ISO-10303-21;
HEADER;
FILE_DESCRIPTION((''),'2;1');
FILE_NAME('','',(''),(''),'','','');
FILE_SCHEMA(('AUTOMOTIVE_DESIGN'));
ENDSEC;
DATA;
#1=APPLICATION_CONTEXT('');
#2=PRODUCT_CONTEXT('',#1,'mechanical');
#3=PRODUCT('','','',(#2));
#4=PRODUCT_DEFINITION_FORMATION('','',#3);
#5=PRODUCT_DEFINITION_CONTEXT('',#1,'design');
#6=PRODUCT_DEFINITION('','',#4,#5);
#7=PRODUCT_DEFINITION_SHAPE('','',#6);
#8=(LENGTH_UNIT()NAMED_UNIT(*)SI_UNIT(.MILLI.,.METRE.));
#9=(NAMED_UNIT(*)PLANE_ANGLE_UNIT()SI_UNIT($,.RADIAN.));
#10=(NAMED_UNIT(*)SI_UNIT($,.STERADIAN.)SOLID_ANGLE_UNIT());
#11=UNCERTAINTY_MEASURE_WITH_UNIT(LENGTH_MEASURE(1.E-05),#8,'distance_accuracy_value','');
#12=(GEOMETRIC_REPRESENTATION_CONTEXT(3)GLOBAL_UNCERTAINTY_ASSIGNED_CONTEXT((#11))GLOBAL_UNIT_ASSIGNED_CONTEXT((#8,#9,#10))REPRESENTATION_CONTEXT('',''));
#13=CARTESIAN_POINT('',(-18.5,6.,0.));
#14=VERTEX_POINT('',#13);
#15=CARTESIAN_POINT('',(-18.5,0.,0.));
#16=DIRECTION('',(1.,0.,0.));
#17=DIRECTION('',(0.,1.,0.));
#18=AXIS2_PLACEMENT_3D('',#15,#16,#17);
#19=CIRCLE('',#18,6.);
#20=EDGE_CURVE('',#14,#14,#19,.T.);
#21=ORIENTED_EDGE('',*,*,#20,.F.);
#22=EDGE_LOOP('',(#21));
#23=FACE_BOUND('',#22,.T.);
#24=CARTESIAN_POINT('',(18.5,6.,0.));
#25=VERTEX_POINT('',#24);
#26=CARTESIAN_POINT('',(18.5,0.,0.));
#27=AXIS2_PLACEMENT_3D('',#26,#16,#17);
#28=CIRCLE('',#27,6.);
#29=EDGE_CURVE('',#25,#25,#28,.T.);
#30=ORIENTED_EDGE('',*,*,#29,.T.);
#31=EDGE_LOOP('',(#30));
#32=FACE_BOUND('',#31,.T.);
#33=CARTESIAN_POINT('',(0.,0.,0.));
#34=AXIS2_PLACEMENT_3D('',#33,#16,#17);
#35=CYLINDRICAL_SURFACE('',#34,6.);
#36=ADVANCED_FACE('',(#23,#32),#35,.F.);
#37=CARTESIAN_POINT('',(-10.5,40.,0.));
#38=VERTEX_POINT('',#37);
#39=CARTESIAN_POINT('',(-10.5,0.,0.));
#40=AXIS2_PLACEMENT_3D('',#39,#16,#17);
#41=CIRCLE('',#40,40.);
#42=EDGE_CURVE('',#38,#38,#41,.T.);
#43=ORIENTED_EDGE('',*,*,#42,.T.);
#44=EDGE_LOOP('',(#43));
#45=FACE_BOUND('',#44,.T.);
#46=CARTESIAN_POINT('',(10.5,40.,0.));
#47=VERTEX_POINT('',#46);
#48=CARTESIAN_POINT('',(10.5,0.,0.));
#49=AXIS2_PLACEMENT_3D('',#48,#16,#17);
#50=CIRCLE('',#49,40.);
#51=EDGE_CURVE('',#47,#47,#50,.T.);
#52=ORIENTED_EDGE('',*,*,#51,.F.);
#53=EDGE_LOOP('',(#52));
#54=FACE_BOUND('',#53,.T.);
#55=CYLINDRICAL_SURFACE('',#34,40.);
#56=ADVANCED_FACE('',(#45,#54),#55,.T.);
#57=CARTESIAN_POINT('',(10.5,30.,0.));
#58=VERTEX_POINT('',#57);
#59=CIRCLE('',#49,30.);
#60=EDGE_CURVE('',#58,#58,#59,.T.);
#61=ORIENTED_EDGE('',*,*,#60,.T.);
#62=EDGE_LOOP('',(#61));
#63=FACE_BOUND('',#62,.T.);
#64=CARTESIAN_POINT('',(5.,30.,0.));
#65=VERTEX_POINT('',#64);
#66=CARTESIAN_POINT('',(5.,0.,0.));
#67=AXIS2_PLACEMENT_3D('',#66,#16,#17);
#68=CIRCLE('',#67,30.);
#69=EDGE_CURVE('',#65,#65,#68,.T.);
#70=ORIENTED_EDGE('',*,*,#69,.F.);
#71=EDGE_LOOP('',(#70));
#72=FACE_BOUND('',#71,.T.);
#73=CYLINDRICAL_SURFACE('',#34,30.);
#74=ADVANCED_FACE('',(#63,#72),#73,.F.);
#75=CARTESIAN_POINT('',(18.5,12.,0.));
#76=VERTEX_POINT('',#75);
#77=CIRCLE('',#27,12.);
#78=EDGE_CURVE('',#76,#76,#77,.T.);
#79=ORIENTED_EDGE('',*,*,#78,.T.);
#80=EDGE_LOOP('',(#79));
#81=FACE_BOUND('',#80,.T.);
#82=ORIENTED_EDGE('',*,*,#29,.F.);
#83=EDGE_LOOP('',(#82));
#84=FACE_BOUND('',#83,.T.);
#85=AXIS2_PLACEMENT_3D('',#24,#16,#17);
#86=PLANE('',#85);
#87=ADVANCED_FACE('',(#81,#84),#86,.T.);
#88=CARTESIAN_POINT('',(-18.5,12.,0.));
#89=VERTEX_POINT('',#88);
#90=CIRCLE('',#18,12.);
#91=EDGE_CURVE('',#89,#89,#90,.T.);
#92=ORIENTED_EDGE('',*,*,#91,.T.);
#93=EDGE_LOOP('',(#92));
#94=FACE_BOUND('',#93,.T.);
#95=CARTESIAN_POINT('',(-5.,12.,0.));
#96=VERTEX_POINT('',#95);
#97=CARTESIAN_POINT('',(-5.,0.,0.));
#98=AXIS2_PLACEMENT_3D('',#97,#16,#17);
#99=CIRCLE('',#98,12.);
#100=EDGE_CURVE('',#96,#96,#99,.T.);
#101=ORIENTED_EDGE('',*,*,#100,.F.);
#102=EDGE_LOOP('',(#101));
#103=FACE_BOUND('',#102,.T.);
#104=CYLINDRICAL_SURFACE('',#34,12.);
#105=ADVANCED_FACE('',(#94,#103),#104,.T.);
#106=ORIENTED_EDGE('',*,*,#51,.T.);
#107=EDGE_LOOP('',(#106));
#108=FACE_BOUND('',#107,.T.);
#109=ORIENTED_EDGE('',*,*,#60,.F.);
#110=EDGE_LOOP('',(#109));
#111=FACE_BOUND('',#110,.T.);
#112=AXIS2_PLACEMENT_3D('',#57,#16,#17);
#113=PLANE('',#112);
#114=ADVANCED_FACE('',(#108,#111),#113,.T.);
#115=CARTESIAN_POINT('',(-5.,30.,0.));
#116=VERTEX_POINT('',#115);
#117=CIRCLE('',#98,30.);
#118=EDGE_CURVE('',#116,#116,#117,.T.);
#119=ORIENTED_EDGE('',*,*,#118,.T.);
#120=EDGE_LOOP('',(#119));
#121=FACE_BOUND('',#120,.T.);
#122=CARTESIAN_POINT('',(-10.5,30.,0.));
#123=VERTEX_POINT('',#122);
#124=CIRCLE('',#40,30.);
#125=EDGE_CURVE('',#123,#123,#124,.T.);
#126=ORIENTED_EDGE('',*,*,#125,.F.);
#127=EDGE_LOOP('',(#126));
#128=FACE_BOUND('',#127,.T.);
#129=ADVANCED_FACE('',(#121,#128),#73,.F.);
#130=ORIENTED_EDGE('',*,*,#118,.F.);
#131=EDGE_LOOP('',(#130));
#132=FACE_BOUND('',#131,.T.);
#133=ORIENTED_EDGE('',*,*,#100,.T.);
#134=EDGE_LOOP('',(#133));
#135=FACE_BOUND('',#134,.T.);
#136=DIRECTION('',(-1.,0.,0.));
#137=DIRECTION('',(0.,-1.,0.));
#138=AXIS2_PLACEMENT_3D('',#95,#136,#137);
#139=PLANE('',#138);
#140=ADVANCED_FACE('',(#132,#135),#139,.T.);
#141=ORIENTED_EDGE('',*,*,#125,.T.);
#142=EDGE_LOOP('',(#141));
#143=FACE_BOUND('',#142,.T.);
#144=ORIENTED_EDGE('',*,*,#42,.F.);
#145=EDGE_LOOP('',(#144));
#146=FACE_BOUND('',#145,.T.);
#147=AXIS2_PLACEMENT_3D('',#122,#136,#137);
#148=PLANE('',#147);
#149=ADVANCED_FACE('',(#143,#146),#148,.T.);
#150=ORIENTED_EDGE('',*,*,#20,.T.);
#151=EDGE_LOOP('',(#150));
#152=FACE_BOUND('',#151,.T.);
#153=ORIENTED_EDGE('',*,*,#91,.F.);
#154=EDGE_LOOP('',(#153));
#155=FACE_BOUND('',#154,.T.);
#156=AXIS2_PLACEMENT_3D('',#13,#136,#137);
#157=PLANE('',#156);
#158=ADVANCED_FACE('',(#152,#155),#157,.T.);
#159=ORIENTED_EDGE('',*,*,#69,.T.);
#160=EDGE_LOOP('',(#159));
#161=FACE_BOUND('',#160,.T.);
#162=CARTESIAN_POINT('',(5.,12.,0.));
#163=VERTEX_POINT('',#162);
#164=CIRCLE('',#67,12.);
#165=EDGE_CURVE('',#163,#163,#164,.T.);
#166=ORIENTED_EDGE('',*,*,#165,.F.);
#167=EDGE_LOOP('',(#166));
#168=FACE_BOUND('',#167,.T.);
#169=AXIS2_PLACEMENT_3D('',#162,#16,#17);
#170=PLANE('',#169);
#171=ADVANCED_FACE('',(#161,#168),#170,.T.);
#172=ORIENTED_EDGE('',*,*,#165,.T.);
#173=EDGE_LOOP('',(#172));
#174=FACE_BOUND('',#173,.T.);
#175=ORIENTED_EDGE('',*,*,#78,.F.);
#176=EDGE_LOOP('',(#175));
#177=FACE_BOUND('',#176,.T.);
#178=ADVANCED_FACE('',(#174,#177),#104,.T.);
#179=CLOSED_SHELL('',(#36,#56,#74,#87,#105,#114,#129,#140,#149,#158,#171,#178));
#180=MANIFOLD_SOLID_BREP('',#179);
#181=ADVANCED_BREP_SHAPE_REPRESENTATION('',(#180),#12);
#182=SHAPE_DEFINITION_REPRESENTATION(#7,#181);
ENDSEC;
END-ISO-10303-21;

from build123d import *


with BuildPart() as part:
    # Esquisse1 → Révolution1 (revolve)
    with BuildSketch(Plane.XY):
        Polygon((18.5, 6), (-18.5, 6), (-18.5, 12), (-5, 12), (-5, 30), (-10.5, 30), (-10.5, 40), (10.5, 40), (10.5, 30), (5, 30), (5, 12), (18.5, 12), align=None)
    revolve(axis=Axis((0, 0, 0), (-1, 0, 0)))


solid = part.part
